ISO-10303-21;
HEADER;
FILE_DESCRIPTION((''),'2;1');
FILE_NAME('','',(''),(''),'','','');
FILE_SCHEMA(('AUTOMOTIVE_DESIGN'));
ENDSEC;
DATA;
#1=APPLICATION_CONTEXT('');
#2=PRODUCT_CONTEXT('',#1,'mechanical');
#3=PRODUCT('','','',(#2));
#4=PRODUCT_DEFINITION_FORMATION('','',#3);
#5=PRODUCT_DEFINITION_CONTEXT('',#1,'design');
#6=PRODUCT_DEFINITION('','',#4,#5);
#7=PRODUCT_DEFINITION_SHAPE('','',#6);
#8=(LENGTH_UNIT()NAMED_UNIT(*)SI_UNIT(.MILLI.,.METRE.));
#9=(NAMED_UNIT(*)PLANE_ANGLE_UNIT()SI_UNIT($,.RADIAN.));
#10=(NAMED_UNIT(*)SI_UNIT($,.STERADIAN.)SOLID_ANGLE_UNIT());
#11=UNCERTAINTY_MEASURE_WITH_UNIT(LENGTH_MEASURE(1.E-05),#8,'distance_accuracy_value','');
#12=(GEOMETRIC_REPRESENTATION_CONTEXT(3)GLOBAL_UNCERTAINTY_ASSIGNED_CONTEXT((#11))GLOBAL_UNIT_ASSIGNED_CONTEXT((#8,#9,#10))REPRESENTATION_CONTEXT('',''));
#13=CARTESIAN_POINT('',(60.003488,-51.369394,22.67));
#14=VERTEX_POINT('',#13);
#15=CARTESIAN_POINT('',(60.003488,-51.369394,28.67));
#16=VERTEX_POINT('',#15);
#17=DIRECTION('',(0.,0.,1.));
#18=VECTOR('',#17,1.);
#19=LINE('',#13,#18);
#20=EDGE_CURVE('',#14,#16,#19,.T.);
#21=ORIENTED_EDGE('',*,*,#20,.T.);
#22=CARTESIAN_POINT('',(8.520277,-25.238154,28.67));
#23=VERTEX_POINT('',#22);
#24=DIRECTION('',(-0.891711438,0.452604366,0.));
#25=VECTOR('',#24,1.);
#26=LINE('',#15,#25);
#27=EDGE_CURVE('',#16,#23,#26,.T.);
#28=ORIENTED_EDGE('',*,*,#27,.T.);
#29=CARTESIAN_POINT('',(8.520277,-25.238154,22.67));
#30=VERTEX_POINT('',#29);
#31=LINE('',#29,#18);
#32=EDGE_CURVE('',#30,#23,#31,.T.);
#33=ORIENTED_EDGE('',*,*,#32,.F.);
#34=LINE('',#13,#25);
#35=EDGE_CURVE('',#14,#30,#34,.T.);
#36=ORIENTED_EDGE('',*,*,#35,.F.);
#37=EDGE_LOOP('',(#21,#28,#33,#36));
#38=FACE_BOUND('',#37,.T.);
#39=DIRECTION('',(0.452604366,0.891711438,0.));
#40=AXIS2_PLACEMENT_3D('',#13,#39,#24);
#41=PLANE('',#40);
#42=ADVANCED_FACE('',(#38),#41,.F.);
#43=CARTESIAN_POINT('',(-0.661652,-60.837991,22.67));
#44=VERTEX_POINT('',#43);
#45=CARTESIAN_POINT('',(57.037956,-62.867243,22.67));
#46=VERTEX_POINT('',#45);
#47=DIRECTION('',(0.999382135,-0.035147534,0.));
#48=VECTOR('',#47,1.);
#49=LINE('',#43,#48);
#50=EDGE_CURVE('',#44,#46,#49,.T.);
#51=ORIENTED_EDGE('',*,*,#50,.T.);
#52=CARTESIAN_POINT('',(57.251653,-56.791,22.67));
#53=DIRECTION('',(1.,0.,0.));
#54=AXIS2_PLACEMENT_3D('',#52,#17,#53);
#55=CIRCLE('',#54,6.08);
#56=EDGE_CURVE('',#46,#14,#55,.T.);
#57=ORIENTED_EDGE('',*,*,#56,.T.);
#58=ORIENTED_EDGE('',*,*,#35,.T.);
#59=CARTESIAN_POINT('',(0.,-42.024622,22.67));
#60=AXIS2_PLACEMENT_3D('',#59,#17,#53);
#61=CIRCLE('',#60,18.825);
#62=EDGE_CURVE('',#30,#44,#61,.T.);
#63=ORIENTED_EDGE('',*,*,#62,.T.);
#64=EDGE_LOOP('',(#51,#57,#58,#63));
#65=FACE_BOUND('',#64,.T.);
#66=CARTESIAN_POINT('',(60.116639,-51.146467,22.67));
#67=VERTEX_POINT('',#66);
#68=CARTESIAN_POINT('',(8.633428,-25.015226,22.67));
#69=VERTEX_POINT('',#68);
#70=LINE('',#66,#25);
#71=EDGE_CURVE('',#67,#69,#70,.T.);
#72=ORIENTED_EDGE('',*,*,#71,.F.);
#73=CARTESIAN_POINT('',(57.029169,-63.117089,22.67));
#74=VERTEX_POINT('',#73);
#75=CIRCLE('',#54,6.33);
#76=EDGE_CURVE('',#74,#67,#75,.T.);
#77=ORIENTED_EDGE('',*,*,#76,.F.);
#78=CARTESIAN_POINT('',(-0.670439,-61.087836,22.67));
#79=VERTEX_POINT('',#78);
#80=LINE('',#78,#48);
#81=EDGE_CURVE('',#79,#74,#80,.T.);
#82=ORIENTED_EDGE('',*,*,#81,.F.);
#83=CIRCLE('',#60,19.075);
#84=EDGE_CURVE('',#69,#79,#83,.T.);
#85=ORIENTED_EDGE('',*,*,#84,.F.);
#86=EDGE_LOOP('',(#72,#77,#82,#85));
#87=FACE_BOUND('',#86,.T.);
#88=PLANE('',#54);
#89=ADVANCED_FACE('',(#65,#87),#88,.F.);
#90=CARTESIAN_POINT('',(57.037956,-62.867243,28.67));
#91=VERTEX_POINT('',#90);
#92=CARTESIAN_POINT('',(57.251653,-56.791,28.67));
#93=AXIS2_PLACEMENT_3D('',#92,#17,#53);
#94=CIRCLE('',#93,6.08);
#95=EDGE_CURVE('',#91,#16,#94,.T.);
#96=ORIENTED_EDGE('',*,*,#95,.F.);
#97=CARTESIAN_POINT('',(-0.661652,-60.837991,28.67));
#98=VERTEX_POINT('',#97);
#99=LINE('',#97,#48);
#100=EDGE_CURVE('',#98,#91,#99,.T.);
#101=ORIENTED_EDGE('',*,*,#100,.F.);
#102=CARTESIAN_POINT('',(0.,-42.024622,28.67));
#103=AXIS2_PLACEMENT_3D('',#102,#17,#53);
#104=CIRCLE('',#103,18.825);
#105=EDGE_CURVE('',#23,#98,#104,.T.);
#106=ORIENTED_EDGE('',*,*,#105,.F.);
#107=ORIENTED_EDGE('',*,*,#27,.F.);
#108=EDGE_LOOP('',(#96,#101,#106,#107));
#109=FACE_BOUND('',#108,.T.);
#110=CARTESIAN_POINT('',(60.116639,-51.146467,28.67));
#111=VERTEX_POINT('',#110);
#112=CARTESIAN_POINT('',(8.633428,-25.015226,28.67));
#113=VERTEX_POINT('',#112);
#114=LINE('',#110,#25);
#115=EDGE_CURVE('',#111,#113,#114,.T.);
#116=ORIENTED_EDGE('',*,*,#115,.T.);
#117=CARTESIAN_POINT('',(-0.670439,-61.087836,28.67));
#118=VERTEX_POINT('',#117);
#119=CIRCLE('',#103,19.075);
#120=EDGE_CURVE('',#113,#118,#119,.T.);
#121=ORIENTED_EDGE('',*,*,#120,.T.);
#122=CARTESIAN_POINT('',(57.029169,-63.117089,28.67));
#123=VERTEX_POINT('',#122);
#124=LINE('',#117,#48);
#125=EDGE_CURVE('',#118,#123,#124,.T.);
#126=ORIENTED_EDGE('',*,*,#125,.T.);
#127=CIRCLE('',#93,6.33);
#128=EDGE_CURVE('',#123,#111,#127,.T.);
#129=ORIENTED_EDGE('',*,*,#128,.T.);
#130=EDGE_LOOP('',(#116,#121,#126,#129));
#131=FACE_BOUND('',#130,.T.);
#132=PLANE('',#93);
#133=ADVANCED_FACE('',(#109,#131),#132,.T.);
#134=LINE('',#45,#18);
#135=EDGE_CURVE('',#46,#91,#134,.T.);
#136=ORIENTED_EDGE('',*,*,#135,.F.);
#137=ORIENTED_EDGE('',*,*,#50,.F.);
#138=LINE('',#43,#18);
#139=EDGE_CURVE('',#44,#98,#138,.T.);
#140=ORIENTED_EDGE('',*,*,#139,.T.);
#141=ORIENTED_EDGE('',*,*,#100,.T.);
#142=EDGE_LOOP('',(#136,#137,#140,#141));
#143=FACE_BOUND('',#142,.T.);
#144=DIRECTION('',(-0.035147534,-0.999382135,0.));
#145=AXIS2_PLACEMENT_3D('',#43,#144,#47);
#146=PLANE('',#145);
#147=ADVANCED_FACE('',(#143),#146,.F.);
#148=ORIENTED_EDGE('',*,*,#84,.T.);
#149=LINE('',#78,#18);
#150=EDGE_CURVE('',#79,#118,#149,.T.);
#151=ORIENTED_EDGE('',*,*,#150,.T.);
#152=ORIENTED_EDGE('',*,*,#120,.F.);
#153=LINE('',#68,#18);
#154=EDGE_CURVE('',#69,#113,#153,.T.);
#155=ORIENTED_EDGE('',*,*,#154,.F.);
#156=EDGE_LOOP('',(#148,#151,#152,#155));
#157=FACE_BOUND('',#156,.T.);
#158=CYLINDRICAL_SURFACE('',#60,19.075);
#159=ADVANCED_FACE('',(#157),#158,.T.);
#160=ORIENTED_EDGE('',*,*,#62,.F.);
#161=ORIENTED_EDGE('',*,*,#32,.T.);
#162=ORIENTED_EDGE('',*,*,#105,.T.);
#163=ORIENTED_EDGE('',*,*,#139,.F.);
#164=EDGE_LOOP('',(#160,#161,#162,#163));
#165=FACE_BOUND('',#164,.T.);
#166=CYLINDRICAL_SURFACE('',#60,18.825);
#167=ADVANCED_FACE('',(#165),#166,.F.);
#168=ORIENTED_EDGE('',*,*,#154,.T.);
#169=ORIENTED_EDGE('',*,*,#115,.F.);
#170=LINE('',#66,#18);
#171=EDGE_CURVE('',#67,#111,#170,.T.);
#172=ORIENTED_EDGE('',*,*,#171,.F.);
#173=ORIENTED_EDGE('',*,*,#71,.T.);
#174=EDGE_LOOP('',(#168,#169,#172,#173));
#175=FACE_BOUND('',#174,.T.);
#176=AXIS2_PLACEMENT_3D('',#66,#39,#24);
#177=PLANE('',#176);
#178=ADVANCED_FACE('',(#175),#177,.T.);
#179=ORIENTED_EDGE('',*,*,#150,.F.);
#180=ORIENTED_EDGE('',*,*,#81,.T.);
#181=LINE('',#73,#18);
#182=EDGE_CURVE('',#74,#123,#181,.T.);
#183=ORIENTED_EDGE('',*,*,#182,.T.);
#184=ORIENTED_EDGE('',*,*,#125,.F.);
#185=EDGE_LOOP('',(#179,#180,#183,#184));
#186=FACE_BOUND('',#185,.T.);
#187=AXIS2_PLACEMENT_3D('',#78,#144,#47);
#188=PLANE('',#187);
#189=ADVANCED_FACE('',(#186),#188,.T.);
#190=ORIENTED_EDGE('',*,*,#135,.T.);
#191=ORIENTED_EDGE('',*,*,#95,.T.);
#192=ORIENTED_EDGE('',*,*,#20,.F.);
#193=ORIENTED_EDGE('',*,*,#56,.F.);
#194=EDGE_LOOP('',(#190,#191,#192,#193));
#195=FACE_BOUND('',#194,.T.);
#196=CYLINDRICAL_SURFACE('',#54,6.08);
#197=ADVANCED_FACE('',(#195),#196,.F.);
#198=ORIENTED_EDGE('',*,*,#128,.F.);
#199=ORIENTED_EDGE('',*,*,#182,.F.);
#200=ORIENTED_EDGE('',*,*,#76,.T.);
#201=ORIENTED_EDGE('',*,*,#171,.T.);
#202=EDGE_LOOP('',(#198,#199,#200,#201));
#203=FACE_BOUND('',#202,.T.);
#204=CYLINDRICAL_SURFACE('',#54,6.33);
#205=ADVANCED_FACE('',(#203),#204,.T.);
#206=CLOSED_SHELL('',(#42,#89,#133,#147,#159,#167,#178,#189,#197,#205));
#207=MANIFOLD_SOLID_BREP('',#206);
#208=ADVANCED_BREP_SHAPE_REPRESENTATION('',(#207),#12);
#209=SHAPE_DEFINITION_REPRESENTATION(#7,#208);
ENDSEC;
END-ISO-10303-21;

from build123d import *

# Parameters (mm, degrees)
BOSS_EXTRUDE1_DEPTH      = 3
BOSS_EXTRUDE1_DEPTH_BACK = 3


with BuildPart() as part:
    # Sketch1 → Boss-Extrude1 (new, two sides: drawn at the far end of the back side and taken through both)
    with BuildSketch(Plane.XY.offset(25.67).offset(-BOSS_EXTRUDE1_DEPTH_BACK)):
        with BuildLine():
            Line((60.116638829, -51.1464666), (8.633428278, -25.015226292))
            ThreePointArc((8.633428278, -25.015226292), (-18.470533149, -37.260691846), (-0.670439202, -61.087836182))
            Line((-0.670439202, -61.087836182), (57.029169306, -63.117088912))
            ThreePointArc((57.029169306, -63.117088912), (63.381062097, -58.371900532), (60.116638829, -51.1464666))
        make_face()
        with BuildLine():
            Line((60.003487737, -51.369394459), (8.520277187, -25.238154151))
            ThreePointArc((8.520277187, -25.238154151), (-18.228455389, -37.323128676), (-0.661652319, -60.837990648))
            Line((-0.661652319, -60.837990648), (57.037956189, -62.867243378))
            ThreePointArc((57.037956189, -62.867243378), (63.138984336, -58.309463702), (60.003487737, -51.369394459))
        make_face(mode=Mode.SUBTRACT)
    extrude(amount=BOSS_EXTRUDE1_DEPTH + BOSS_EXTRUDE1_DEPTH_BACK)


solid = part.part
